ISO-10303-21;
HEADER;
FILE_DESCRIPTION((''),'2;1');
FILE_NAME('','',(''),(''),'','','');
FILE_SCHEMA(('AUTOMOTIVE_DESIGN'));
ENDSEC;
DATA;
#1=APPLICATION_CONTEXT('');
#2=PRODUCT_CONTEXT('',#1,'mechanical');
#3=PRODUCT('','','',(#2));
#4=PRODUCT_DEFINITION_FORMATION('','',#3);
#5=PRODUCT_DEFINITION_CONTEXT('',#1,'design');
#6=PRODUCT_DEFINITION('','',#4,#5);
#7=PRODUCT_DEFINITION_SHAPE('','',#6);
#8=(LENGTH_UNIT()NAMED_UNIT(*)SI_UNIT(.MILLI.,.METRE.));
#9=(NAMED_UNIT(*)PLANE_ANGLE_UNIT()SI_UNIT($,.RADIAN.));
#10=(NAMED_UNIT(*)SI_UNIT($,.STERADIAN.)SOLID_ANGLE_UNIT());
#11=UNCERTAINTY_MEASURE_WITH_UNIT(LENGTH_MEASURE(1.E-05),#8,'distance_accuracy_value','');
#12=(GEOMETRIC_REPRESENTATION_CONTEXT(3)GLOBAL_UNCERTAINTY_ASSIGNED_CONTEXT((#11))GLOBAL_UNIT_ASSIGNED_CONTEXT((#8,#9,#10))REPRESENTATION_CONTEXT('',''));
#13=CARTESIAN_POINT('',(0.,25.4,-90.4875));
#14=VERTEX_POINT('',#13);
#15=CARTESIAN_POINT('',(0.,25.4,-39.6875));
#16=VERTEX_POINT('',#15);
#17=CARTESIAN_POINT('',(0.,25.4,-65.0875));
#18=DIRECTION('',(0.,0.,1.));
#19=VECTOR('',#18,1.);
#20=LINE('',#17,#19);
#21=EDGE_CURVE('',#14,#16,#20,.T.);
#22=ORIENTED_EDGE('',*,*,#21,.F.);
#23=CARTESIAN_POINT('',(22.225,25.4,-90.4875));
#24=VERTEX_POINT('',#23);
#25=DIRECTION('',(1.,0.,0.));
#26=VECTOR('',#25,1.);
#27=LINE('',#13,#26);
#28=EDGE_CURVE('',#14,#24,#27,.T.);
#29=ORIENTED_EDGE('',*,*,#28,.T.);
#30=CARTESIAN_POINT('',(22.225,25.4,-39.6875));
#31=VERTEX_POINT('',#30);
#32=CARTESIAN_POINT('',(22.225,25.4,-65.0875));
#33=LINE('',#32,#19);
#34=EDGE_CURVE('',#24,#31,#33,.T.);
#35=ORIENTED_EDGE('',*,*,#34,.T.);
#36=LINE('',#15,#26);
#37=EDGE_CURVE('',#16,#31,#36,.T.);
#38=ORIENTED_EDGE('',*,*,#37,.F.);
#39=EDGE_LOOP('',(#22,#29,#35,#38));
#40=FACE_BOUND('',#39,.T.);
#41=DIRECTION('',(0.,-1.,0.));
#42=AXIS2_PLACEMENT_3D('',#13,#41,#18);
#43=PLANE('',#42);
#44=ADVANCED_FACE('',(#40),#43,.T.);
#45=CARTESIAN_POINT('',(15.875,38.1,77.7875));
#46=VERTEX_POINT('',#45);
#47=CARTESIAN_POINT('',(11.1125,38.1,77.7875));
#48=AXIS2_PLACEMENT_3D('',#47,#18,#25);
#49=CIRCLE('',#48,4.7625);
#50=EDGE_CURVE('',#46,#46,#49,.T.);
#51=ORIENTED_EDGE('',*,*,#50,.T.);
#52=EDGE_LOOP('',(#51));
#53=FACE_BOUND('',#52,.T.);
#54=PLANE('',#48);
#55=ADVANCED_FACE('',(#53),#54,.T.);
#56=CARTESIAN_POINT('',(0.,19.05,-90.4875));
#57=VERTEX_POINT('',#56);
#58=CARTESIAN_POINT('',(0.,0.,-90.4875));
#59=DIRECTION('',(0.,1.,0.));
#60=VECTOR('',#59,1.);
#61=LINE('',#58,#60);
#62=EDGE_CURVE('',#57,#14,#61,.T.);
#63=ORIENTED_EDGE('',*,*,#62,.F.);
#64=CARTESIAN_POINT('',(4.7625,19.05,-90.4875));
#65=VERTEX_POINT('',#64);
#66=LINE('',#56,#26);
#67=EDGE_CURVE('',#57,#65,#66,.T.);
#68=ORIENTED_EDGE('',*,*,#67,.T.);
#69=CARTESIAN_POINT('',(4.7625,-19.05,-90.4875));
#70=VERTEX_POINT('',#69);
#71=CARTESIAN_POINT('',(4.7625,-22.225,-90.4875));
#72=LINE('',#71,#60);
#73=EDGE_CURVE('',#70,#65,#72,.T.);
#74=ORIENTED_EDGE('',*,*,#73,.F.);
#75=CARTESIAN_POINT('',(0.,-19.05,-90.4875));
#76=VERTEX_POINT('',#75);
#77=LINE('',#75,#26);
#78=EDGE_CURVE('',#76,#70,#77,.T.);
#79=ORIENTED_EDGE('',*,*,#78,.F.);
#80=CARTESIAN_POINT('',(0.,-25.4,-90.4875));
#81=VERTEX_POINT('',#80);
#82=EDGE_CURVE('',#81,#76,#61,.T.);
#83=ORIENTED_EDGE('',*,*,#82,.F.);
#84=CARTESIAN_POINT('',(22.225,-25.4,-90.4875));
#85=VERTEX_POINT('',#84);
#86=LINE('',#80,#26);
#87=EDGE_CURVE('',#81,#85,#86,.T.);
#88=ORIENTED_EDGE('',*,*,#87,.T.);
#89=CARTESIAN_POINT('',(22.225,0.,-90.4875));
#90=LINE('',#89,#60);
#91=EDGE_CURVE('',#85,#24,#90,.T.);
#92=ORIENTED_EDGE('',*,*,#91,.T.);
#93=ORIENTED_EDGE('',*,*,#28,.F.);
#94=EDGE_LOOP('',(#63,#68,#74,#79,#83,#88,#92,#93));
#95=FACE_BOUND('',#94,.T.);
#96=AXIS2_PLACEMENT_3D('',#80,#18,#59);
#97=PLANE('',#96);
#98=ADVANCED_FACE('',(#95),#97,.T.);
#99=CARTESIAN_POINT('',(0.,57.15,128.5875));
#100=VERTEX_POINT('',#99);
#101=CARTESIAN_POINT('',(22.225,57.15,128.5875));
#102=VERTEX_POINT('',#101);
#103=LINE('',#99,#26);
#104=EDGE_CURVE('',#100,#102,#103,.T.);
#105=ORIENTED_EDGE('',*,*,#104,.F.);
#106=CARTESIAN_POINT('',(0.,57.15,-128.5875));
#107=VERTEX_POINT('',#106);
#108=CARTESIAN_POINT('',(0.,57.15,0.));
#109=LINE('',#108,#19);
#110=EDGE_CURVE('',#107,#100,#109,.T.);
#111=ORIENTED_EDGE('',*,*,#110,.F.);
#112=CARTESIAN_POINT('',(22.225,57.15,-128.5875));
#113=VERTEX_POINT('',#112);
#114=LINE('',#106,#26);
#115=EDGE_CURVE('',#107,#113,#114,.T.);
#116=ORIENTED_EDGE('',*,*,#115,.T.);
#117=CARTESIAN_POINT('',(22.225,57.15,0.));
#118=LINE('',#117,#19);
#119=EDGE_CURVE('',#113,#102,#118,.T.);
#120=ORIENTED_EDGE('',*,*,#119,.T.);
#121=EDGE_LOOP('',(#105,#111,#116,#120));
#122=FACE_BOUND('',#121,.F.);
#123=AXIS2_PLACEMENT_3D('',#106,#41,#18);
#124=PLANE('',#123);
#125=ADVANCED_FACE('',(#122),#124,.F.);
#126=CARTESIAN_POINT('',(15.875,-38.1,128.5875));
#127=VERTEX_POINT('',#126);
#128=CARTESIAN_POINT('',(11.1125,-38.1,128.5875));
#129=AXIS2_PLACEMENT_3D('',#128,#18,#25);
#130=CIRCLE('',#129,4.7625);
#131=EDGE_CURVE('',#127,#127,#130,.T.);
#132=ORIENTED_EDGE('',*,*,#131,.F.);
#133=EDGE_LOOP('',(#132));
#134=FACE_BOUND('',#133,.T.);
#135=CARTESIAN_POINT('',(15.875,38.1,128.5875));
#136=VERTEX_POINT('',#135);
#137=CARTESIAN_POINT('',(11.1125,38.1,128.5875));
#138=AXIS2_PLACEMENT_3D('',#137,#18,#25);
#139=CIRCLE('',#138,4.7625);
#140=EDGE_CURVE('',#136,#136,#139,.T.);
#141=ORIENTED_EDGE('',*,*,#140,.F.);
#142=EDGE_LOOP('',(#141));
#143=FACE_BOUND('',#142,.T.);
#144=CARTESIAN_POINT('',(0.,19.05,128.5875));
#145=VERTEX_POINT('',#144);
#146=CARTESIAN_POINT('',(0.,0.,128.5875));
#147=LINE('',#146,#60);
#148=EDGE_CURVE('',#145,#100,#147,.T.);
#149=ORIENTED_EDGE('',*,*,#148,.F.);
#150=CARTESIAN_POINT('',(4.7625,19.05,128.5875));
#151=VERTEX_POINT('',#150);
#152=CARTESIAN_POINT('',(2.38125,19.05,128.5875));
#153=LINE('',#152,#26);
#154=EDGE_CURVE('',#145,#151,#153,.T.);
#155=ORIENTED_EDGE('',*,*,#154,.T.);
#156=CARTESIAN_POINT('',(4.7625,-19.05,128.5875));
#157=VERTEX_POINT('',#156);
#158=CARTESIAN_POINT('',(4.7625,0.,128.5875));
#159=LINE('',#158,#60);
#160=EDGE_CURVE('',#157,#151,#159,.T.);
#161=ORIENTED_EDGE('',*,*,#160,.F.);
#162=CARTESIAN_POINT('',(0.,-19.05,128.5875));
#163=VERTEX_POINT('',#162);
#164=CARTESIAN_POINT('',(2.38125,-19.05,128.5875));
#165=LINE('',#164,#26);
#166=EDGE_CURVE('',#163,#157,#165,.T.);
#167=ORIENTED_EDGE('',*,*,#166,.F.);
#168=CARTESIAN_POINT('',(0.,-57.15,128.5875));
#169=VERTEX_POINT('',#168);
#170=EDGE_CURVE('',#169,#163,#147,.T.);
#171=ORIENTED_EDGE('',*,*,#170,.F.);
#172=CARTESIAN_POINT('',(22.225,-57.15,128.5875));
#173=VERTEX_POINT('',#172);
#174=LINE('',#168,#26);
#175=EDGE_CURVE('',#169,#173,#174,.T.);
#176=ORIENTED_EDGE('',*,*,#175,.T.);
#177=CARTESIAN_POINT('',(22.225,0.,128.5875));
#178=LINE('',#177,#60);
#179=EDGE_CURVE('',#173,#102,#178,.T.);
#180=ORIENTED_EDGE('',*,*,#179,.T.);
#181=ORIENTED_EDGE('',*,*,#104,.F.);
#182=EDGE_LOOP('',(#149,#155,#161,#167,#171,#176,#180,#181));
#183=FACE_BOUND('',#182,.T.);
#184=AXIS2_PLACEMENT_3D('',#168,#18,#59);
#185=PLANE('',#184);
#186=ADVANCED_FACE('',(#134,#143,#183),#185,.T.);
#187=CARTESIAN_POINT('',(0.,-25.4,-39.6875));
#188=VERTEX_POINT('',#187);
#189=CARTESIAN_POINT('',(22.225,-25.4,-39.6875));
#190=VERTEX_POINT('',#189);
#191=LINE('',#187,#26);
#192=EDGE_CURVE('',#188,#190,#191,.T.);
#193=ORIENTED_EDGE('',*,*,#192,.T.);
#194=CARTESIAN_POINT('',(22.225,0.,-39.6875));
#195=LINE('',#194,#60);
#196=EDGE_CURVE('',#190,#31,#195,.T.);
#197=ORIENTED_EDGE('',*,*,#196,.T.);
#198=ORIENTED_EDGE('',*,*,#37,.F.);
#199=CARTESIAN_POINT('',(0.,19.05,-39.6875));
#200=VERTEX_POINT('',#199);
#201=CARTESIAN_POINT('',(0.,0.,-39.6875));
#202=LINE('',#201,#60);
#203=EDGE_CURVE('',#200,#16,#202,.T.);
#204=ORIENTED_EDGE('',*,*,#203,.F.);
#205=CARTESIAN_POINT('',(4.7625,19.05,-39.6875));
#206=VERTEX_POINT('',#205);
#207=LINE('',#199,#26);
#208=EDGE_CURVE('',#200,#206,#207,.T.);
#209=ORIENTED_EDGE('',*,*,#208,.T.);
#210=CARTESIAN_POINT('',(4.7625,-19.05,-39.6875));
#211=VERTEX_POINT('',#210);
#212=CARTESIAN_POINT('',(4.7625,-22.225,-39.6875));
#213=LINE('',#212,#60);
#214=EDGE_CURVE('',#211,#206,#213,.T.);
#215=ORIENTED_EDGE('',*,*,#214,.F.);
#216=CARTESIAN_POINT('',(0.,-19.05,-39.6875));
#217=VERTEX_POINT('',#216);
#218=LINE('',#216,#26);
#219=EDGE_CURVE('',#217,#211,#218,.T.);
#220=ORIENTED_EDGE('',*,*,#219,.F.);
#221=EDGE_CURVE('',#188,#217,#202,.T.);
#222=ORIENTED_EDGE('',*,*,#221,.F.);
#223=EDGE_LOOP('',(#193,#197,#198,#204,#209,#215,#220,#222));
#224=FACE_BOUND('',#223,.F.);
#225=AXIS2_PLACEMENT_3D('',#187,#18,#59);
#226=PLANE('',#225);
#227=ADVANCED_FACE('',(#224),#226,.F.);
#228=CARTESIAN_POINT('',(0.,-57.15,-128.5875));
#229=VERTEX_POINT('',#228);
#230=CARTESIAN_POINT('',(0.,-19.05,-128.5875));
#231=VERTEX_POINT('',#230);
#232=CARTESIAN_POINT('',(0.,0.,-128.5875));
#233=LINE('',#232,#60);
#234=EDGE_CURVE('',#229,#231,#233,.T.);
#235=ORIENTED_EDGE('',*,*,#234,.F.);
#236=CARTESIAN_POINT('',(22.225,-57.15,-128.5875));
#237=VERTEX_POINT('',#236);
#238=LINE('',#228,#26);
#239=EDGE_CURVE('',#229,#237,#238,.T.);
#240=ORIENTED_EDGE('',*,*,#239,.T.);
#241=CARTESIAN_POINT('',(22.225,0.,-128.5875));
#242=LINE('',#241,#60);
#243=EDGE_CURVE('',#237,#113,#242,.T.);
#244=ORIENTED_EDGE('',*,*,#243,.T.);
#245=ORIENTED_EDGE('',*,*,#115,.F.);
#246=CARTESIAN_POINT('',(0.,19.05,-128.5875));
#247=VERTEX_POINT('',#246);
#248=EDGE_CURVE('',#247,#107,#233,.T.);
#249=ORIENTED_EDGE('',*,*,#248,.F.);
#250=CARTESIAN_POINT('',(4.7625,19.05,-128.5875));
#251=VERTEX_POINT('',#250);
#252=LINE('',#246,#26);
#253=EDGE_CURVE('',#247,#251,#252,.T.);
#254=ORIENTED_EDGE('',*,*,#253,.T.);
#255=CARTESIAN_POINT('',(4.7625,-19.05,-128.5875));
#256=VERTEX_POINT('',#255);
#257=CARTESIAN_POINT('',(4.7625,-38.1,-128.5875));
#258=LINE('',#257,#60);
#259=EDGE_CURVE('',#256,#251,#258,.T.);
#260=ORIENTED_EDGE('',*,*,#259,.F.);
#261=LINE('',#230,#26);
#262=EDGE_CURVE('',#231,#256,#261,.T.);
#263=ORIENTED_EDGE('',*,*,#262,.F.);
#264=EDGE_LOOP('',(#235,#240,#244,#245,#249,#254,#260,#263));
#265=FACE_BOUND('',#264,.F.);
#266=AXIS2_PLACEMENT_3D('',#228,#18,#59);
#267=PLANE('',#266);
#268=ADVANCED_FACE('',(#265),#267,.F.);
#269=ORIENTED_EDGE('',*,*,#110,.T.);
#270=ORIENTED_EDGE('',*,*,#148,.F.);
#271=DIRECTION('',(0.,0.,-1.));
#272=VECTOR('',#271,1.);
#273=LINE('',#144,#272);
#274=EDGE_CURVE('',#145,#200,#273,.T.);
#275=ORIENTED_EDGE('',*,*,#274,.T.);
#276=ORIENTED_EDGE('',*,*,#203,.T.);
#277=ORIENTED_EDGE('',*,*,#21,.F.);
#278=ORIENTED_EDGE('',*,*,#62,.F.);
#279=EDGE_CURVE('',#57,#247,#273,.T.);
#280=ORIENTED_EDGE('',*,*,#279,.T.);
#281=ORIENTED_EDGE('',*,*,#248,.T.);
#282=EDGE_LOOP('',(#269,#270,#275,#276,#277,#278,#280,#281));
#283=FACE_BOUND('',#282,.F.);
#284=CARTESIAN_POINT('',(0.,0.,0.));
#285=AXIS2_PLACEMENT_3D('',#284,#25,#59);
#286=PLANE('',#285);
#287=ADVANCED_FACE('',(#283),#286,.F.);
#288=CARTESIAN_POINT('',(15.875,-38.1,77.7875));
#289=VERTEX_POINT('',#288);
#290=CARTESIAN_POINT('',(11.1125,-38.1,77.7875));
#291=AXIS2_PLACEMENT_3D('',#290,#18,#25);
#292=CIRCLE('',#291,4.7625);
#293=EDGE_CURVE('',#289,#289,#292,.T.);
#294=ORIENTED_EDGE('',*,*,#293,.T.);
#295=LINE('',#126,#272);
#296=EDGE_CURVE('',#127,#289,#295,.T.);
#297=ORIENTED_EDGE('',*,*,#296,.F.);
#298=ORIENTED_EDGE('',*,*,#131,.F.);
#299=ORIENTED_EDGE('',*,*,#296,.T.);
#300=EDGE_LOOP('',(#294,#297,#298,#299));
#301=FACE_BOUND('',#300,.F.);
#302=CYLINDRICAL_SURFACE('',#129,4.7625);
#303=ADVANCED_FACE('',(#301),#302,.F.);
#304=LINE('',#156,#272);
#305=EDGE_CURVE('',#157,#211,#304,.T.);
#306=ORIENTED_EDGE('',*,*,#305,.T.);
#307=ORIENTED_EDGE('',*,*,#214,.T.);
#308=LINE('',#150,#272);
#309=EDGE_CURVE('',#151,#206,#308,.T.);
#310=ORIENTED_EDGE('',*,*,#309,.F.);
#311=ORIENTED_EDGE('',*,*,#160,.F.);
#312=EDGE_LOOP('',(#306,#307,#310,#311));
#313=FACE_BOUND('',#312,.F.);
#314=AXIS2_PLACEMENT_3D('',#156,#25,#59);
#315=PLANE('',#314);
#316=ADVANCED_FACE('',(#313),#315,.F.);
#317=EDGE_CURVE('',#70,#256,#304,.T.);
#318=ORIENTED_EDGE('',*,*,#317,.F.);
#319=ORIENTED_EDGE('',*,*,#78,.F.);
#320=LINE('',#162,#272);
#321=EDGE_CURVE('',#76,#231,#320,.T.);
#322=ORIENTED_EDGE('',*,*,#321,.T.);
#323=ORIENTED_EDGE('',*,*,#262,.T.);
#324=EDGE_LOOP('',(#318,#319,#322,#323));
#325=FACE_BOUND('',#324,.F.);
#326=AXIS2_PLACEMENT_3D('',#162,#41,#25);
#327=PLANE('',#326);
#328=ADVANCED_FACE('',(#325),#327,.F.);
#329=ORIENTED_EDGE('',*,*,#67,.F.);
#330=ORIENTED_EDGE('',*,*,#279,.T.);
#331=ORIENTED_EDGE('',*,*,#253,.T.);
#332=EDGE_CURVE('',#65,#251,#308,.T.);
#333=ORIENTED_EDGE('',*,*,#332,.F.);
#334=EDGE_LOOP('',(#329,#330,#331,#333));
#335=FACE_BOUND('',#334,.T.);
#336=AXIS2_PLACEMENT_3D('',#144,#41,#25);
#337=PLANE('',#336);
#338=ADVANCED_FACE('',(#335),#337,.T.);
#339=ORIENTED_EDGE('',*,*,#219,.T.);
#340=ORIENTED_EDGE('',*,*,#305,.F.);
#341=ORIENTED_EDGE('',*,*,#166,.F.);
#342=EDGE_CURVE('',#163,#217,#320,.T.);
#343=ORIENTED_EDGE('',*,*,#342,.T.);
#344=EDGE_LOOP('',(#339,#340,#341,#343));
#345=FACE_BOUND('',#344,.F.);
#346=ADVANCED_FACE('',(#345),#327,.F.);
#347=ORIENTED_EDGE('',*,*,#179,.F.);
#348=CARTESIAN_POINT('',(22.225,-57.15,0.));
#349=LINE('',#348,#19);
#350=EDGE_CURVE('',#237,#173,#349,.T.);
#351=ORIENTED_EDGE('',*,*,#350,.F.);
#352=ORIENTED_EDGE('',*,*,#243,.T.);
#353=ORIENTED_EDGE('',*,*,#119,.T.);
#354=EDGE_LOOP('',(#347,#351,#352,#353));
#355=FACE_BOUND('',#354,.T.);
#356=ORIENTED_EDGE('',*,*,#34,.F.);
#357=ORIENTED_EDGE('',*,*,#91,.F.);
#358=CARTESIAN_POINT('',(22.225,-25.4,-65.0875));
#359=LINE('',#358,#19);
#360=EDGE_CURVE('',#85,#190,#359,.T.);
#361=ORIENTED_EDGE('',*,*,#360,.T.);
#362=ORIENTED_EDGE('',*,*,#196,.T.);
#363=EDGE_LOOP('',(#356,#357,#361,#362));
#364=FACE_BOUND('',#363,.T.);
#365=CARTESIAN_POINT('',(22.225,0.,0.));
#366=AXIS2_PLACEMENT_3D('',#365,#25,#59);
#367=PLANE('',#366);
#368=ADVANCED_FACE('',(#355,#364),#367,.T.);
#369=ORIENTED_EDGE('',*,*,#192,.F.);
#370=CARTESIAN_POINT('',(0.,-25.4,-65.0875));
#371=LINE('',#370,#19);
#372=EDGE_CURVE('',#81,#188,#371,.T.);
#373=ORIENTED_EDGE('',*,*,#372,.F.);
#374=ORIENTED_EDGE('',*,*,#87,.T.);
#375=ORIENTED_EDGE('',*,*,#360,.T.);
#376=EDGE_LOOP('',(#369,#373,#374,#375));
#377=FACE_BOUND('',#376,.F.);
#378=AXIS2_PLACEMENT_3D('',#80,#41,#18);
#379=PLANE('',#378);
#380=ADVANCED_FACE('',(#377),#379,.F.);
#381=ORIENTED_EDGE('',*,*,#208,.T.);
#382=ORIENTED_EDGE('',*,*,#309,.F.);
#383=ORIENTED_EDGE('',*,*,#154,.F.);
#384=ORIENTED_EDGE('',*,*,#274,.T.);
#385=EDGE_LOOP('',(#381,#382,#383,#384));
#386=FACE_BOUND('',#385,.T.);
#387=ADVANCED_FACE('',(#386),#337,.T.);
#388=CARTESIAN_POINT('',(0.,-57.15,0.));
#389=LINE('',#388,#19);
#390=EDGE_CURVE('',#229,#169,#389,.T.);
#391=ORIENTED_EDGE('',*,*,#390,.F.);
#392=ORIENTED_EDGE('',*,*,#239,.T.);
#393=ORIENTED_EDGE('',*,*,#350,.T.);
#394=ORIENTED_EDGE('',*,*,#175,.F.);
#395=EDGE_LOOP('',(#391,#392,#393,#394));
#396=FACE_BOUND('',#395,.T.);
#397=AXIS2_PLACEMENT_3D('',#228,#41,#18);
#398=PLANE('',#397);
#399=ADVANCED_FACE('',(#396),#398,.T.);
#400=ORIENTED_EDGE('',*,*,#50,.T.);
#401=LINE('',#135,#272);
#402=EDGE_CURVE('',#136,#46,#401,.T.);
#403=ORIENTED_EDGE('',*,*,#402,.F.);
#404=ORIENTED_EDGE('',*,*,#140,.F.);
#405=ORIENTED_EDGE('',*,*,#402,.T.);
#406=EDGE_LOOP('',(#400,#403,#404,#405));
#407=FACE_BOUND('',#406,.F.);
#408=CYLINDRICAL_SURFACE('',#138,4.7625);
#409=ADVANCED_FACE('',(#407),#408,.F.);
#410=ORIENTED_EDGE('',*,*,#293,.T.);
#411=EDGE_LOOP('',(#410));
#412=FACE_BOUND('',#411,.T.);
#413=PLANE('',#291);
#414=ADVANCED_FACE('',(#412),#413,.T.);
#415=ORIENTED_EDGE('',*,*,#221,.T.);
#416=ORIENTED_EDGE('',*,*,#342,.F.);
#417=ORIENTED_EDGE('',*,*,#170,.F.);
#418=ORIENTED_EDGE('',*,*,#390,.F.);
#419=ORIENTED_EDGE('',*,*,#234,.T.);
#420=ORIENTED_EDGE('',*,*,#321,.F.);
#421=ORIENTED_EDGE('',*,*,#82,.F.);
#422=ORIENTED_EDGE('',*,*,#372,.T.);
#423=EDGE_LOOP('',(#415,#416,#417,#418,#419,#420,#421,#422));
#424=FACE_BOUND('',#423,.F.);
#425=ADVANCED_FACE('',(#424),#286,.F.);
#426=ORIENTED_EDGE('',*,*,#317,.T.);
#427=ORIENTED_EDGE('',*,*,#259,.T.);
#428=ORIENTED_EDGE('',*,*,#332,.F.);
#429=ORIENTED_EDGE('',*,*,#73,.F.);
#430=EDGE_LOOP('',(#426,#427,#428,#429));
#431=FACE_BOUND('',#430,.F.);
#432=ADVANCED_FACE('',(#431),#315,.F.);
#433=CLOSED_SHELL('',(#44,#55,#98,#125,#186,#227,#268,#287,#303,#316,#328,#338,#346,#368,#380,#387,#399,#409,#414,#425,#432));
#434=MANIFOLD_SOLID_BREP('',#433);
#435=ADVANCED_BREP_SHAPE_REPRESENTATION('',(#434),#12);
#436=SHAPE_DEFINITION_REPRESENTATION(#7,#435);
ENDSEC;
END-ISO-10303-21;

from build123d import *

# Parameters (mm, degrees)
F0_W     = 114.3
F0_H     = 257.175
F0_W_2   = 50.8
F0_H_2   = 50.8
F1_DEPTH = 22.225
F2_W     = 4.7625
F2_H     = 38.1
F3_DEPTH = 257.176
F4_R     = 4.7625
F5_DEPTH = 50.8


with BuildPart() as f1:
    # F0 (on Right) → F1 (new body)
    with BuildSketch(Plane.YZ):
        Rectangle(F0_W, F0_H)
        with Locations((0, -65.0875)):
            Rectangle(F0_W_2, F0_H_2, mode=Mode.SUBTRACT)
    extrude(amount=F1_DEPTH)

    # F2 (on face) → F3 (cut, through all)
    with BuildSketch(Plane.XY.offset(128.5875)):
        with Locations((2.38125, 0)):
            Rectangle(F2_W, F2_H)
    extrude(amount=-F3_DEPTH, mode=Mode.SUBTRACT)

    # F4 (on face) → F5 (cut)
    with BuildSketch(Plane.XY.offset(128.5875)):
        with Locations((11.1125, -38.1)):
            Circle(F4_R)
        with Locations((11.1125, 38.1)):
            Circle(F4_R)
    extrude(amount=-F5_DEPTH, mode=Mode.SUBTRACT)


solid = f1.part
